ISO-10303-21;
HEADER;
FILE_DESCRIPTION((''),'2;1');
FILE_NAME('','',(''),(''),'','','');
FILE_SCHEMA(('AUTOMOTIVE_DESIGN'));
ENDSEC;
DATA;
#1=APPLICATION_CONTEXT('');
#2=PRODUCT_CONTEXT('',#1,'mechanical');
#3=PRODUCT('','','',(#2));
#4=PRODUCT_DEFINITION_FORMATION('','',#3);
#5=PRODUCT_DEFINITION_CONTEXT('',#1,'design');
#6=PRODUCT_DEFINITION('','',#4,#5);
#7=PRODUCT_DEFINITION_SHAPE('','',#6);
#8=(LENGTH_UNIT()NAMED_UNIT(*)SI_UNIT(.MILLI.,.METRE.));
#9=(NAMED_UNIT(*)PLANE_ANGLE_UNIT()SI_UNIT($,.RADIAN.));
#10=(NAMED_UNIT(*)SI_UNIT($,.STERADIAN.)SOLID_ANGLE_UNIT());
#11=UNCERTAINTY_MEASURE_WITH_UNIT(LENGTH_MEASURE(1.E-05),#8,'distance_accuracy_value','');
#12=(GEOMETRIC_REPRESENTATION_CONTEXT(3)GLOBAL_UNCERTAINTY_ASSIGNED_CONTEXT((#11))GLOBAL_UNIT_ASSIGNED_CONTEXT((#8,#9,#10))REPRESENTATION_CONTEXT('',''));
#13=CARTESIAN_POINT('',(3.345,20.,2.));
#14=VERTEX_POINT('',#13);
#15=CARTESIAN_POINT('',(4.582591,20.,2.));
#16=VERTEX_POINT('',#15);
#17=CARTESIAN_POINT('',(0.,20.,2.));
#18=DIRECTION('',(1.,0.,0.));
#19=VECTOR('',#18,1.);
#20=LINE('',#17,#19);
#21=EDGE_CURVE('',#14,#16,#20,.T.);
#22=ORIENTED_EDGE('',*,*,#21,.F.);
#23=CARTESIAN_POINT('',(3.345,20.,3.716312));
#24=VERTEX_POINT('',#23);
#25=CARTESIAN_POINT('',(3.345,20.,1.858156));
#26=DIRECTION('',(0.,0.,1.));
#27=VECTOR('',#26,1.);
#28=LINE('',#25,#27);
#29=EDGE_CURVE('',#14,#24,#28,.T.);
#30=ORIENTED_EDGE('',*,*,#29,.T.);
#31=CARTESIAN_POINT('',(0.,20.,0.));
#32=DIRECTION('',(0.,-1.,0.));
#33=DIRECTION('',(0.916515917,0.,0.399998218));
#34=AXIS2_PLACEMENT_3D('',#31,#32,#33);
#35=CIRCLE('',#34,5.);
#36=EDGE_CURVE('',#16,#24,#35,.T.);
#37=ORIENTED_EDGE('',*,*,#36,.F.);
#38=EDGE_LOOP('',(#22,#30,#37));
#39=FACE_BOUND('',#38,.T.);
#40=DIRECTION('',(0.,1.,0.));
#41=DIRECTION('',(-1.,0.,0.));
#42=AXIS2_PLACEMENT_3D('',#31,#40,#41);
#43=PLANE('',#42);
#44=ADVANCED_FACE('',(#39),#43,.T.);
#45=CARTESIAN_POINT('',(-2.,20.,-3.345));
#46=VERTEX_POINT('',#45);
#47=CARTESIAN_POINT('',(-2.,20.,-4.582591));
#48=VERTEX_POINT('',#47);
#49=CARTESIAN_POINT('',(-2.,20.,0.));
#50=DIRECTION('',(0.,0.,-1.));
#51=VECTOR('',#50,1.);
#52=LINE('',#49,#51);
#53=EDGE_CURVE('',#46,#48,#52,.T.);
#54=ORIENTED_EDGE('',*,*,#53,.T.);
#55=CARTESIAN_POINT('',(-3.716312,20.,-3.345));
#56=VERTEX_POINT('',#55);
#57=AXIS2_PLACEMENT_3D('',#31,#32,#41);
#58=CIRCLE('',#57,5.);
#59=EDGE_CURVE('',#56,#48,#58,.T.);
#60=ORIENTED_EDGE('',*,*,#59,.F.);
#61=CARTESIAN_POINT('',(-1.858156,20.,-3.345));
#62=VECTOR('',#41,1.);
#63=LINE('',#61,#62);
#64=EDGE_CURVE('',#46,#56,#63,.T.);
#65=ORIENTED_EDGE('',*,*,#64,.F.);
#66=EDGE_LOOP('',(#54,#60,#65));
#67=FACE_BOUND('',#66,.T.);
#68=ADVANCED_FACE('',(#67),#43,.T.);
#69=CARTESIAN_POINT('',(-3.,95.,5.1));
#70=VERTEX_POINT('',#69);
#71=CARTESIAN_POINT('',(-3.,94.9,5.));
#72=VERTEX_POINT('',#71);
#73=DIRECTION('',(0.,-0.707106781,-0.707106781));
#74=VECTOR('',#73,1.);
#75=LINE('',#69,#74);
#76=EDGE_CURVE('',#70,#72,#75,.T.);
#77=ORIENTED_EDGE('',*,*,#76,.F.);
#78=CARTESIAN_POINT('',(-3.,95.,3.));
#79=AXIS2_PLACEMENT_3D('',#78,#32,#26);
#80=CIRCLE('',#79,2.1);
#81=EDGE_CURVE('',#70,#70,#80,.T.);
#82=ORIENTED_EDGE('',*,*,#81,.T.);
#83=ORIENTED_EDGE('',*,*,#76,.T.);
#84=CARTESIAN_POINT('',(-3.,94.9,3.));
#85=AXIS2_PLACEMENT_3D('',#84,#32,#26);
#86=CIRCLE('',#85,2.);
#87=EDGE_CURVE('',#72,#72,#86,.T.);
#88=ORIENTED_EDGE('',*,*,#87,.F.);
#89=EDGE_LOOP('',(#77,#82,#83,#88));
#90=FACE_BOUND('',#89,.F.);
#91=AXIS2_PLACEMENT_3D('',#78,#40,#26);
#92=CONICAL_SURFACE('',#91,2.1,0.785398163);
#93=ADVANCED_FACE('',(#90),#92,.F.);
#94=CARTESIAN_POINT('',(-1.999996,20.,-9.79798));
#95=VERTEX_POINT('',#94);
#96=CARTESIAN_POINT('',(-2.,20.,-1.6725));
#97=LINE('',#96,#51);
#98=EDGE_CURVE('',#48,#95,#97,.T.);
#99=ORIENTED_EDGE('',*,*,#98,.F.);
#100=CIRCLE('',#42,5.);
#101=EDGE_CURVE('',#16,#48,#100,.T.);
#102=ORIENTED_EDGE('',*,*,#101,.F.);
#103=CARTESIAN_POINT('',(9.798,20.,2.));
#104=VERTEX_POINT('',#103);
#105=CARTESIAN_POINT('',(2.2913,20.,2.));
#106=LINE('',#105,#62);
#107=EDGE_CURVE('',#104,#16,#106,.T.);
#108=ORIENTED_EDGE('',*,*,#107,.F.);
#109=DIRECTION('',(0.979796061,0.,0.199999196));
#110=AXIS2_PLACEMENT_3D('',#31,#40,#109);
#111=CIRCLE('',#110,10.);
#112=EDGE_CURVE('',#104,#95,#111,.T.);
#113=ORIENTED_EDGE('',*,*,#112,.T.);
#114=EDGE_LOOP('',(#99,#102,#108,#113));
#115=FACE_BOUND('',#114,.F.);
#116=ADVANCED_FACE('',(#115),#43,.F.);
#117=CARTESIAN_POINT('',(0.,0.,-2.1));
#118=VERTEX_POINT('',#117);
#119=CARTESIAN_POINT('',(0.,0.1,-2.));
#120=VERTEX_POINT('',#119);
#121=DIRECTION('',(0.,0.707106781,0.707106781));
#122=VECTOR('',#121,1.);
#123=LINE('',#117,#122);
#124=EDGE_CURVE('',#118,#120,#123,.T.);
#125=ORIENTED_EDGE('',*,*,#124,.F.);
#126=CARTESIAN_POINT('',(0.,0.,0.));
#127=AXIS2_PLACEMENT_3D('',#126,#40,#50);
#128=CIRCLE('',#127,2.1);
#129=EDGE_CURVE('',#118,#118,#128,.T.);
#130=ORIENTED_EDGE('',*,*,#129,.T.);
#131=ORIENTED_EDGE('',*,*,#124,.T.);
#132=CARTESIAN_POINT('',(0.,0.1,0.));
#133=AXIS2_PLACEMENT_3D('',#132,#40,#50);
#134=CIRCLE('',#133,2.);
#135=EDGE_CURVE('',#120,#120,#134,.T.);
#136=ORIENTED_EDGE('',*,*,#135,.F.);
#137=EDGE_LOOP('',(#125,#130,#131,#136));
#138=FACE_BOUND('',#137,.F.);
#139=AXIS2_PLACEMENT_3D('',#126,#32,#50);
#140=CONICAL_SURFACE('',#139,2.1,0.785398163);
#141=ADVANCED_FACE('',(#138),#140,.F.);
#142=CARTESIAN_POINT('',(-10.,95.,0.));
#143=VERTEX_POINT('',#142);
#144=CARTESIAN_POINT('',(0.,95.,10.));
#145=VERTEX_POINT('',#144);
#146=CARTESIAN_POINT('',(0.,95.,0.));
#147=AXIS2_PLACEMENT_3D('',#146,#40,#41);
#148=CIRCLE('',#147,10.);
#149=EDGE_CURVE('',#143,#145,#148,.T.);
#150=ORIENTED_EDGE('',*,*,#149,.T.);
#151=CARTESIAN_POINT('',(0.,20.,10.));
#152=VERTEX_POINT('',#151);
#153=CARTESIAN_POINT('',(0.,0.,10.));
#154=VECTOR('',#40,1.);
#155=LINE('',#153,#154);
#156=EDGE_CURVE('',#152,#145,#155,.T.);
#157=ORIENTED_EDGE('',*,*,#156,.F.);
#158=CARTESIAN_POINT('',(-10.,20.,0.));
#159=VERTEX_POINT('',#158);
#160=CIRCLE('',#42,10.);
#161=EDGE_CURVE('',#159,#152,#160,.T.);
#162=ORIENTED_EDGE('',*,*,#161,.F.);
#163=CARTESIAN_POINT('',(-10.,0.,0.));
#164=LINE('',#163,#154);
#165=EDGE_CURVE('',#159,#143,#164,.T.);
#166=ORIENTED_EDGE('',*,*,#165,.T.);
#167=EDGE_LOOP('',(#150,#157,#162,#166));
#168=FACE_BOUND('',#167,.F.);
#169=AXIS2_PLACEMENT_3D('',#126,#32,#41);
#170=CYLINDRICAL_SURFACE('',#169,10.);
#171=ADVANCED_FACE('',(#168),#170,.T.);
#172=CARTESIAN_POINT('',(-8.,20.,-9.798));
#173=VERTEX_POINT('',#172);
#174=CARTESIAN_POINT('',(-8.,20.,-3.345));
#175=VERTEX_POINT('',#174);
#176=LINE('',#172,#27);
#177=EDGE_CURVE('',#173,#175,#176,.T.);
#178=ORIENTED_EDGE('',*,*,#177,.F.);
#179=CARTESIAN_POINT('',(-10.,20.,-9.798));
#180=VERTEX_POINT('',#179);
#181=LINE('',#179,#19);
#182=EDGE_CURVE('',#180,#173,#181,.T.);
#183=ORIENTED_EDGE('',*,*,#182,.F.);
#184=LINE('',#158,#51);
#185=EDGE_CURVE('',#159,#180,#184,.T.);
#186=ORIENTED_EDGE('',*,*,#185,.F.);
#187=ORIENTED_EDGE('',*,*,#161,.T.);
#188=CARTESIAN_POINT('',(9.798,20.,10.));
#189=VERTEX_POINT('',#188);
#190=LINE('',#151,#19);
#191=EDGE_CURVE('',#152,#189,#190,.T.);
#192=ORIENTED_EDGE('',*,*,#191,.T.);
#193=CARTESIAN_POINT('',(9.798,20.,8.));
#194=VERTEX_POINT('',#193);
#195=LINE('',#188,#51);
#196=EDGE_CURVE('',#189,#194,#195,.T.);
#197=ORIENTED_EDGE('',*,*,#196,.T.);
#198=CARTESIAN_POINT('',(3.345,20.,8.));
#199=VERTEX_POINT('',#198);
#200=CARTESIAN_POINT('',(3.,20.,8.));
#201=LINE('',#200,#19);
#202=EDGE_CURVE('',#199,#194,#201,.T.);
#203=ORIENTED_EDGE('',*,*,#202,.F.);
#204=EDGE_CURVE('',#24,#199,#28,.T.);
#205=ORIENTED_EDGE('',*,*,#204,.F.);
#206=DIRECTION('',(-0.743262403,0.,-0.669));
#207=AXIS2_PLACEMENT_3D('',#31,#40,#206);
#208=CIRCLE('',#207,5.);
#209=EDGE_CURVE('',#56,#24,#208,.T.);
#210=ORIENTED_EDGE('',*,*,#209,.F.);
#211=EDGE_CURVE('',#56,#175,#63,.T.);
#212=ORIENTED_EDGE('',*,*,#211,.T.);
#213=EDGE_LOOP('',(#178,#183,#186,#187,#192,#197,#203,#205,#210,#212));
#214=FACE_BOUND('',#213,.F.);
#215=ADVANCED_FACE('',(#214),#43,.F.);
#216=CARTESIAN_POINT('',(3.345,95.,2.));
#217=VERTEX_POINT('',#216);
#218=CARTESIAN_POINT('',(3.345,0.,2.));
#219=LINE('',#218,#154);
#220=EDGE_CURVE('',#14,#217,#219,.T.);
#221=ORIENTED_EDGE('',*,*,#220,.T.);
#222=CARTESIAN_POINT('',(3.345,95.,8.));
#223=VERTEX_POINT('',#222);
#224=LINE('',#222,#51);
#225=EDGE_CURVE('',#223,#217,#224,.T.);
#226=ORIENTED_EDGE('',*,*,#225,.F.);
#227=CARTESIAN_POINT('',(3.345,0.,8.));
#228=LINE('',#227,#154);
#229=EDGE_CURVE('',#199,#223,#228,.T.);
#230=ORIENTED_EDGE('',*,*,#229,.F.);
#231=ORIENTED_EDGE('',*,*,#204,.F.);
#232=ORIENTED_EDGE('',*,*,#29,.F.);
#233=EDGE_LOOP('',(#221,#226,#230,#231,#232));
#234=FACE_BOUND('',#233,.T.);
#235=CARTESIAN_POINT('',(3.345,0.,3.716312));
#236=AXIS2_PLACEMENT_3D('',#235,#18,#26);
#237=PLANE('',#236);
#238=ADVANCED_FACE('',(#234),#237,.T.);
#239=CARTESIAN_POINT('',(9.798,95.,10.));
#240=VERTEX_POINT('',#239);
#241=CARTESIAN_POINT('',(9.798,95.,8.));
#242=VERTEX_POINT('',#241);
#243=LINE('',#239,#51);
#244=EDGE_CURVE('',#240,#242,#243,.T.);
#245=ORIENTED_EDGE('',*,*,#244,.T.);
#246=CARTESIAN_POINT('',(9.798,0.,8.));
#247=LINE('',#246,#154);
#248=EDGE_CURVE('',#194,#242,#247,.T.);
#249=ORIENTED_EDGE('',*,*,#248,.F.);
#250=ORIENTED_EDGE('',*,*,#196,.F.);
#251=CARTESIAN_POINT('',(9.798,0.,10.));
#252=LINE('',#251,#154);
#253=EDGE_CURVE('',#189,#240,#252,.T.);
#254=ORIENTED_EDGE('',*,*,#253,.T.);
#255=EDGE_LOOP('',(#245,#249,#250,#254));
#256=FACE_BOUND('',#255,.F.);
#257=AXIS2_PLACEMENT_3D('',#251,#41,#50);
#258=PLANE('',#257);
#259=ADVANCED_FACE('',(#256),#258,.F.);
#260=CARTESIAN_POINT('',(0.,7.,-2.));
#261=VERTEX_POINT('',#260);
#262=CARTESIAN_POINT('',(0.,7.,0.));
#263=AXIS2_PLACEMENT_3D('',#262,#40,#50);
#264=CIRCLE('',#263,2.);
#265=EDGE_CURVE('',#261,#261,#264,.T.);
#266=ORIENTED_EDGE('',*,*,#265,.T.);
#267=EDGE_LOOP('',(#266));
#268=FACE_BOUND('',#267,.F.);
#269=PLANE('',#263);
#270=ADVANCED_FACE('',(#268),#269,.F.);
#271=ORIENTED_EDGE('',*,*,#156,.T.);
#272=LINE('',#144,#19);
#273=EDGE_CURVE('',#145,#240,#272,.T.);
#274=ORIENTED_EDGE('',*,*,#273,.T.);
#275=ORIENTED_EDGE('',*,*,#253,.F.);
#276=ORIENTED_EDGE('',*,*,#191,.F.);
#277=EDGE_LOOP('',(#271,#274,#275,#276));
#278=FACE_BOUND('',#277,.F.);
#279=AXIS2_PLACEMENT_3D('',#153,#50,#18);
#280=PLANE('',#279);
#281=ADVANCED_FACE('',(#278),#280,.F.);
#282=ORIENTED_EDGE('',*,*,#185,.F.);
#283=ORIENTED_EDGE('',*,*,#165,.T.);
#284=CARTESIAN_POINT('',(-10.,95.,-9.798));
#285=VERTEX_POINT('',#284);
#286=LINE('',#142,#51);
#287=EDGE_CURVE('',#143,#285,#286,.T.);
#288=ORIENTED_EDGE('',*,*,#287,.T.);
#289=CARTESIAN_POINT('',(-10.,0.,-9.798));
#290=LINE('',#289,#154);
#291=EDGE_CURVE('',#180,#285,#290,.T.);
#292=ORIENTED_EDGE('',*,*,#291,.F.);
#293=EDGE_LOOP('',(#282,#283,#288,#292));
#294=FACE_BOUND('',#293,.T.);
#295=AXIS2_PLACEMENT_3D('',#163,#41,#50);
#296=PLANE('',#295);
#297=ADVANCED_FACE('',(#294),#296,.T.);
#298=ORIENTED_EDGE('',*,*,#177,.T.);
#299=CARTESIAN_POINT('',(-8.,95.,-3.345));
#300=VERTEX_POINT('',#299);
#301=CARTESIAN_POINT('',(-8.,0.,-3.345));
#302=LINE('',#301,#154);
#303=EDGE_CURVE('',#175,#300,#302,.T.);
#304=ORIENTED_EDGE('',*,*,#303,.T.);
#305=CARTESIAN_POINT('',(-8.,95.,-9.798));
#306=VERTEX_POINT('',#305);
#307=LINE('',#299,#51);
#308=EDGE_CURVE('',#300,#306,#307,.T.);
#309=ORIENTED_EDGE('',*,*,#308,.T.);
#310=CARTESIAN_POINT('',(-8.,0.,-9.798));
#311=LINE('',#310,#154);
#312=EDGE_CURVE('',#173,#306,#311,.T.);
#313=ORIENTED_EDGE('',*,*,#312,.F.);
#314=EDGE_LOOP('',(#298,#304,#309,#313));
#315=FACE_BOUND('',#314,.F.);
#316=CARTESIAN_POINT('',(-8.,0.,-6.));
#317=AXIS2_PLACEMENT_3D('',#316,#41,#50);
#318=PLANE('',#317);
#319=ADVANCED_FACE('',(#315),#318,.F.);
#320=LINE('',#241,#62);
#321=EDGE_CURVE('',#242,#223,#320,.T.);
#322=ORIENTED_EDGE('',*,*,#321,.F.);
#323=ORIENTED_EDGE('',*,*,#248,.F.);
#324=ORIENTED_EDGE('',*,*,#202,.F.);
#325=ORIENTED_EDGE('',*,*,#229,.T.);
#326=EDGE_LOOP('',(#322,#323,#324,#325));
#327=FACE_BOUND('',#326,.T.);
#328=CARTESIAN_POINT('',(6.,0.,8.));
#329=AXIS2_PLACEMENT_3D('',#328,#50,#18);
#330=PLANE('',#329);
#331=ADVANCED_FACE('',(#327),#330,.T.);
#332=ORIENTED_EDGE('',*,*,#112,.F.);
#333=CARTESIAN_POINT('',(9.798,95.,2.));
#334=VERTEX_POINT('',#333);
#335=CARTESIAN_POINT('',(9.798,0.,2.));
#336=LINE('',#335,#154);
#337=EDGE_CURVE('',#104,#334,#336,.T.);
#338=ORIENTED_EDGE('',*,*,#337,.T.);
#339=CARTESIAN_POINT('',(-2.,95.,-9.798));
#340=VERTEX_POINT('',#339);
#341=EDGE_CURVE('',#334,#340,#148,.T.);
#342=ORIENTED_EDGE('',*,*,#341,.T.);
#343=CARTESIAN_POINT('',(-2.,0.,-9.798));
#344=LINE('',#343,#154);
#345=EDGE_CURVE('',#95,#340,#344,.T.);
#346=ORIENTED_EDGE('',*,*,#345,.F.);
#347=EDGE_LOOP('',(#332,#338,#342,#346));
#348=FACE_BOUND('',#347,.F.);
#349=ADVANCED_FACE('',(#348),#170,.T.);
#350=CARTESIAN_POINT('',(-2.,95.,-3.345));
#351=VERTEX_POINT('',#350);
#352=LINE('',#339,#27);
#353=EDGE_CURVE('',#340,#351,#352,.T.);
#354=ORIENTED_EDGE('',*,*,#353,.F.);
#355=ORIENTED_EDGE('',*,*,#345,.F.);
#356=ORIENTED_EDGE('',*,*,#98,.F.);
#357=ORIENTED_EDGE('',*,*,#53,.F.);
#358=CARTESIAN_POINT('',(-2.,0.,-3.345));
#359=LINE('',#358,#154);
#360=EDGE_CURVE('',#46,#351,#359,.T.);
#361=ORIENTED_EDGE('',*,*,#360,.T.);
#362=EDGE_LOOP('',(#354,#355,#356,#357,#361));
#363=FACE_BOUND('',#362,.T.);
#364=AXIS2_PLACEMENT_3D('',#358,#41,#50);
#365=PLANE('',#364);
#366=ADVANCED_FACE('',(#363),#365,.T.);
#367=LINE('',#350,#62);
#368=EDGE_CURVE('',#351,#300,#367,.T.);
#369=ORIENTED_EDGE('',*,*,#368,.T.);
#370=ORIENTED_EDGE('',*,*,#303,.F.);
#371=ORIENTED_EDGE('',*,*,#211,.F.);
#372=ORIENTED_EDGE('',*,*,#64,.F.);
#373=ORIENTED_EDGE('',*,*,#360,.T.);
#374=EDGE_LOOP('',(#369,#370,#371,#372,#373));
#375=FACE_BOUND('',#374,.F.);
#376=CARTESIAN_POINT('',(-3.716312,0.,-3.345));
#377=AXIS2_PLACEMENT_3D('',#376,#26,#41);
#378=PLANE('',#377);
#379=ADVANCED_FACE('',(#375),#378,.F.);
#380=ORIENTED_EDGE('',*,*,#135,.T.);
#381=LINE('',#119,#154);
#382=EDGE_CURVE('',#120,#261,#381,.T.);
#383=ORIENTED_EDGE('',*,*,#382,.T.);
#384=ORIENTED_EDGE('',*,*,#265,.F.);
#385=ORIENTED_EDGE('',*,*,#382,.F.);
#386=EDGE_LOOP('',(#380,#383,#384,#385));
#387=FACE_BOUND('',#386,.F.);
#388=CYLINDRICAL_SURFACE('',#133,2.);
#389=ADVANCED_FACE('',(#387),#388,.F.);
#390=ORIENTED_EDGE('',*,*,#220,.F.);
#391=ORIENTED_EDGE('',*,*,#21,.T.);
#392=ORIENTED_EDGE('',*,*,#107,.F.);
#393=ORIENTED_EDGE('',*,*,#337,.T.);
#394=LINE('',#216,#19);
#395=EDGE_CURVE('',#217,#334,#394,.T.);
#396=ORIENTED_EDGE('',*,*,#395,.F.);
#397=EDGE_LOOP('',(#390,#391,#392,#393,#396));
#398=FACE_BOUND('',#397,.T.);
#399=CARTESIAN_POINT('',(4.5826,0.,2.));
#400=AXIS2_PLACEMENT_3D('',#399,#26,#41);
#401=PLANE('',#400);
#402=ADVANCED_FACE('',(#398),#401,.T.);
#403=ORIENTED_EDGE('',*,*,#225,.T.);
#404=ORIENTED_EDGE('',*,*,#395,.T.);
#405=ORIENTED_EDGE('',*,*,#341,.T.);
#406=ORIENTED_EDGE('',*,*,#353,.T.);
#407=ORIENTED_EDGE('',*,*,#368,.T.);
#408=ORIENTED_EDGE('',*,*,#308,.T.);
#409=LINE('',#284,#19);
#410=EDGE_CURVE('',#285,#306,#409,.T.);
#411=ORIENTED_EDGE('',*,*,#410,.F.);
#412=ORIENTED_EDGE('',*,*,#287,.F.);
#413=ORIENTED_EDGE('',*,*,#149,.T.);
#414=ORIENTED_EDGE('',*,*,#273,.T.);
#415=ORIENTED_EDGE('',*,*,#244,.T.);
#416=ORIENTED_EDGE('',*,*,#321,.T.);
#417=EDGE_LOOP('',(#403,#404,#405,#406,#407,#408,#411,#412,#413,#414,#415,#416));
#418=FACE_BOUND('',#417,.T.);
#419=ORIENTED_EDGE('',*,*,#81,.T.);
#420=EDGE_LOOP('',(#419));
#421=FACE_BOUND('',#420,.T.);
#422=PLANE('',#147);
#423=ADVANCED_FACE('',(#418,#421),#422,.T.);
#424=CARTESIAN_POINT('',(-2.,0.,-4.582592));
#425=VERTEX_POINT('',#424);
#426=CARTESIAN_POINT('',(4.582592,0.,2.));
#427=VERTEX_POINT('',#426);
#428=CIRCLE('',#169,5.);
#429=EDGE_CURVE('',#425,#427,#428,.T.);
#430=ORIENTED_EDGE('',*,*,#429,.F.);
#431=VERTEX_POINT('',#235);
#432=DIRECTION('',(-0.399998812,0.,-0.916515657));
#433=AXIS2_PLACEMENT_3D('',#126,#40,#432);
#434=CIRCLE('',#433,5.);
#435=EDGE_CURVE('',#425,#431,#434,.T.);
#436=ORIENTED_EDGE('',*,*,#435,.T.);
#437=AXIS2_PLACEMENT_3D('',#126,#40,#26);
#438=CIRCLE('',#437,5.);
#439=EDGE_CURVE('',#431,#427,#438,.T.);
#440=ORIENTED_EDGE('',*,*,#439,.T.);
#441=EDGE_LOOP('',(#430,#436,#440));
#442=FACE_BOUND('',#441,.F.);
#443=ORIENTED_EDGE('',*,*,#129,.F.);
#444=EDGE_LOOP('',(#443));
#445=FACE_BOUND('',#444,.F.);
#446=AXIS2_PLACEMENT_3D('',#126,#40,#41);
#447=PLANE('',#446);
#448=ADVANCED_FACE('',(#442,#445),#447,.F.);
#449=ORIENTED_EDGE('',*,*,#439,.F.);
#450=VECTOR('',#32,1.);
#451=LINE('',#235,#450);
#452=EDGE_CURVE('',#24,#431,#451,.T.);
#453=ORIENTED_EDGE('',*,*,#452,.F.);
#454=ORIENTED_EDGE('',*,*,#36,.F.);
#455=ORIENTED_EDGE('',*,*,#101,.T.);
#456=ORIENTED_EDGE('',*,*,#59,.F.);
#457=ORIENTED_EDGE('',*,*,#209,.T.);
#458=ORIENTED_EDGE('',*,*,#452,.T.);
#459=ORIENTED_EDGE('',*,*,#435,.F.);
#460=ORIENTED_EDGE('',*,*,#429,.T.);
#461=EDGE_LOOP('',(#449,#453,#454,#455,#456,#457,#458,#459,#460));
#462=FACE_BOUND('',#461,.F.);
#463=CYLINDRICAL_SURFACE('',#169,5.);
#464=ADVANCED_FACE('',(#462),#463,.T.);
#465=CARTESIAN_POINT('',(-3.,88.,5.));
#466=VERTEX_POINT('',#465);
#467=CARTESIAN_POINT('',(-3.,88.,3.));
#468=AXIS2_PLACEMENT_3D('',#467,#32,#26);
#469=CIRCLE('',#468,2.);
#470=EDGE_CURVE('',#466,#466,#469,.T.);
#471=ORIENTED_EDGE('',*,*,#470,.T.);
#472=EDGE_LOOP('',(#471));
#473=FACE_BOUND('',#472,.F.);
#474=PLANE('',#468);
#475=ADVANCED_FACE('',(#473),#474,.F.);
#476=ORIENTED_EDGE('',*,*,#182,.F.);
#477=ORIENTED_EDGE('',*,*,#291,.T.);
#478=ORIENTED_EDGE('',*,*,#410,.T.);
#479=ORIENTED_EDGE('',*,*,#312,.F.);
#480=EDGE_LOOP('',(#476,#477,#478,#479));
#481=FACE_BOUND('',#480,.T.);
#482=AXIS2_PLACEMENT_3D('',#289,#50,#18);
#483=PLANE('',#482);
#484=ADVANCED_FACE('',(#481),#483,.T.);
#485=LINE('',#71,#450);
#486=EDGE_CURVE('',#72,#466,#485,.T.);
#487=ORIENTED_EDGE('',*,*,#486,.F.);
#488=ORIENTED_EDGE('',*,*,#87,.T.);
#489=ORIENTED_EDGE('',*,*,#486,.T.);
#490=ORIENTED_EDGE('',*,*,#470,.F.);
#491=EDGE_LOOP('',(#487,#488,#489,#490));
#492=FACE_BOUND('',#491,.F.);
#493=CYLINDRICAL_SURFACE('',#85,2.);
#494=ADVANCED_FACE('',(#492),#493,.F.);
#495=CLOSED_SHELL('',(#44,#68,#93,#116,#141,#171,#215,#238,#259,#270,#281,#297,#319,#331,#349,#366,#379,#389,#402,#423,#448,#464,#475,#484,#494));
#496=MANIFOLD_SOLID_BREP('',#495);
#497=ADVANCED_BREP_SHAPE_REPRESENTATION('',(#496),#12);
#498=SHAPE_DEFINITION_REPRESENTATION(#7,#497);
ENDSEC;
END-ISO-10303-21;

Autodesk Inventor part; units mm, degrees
ref_plane "YZ Plane" through (0, 0, 0) normal (1, 0, 0) x (0, 1, 0)
ref_plane "XZ Plane" through (0, 0, 0) normal (0, 1, 0) x (-1, 0, 0)
ref_plane "XY Plane" through (0, 0, 0) normal (0, 0, 1) x (1, 0, 0)
sketch "Sketch1" plane through (0, 0, 0) normal (0, 1, 0) x (-1, 0, 0)
  circle A0 centre (0, 0) radius 10
  circle A1 centre (0, 0) radius 5
  line L0 (8, 0) -> (8, -6)
  line L1 (2, -4.5826) -> (2, -9.798)
  line L2 (10, 0) -> (5, 0)
  line L3 (7.0711, 7.0711) -> (-7.0711, -7.0711) construction
  line L4 (0, 8) -> (-6, 8)
  line L5 (-4.5826, 2) -> (-9.798, 2)
  line L6 (0, 10) -> (0, 5)
  line L7 (10, 0) -> (10, -9.798)
  line L8 (10, -9.798) -> (2, -9.798)
  line L9 (0, 10) -> (-9.798, 10)
  line L10 (-9.798, 10) -> (-9.798, 2)
  line L11 (-4.5826, 2) -> (0, 2)
  line L12 (0, 2) -> (0, 5)
  line L13 (5, 0) -> (2, 0)
  line L14 (2, 0) -> (2, -4.5826)
  line L15 (-6, 8) -> (-9.798, 8)
  line L16 (8, -6) -> (8, -9.798)
  line L17 (-3.345, 2) -> (-3.345, 9.4239)
  line L18 (2, -3.345) -> (9.4239, -3.345)
  point P0 (-9.798, 2)
  point P1 (8, -3.345)
  point P2 (-3.345, 8)
  point P3 (-9.798, 2)
  dimension "d0" = 20
  dimension "d1" = 10
  dimension "d10" = 6
  dimension "d11" = 2
  dimension "d12" = 45
  dimension "d15" = 3.3451
extrude "Extrusion1" add sketch "Sketch1" along normal blind 95 contours L2 A1 L6 A0 | L7 L8 L16 A0 | A0 L18 L0 L2 | L6 L4 L17 A0 | A0 L15 L10 L9 | A0 L0 L18 | L0 L18 A1 L2 | L17 L4 A0 | L6 A1 L17 L4 | L13 L14 A1 L11 L12 | A1 L18 L14 L13 | L12 L11 L17 A1 | A0 L5 A1 L1
extrude "Extrusion2" cut sketch "Sketch1" along normal blind 20 contours L2 A1 L6 A0 | L7 L8 L16 A0 | A0 L18 L0 L2 | L6 L4 L17 A0 | A0 L15 L10 L9 | A0 L0 L18 | L0 L18 A1 L2 | L17 L4 A0 | L6 A1 L17 L4 | A0 L1 A1 L18 L0 | L4 L17 A1 L5 A0 | A0 L10 L15 | A0 L5 A1 L1
extrude "Extrusion3" add sketch "Sketch1" along normal blind 20 contours A1 L18 L14 L13 | L12 L11 L17 A1 | A1 L14 L18 | L17 L11 A1
sketch "Sketch2" plane through (0, 95, 0) normal (0, 1, 0) x (1, 0, 0)
  line L0 (-10, 9.798) -> (-10, 0) projected
  line L1 (0, -10) -> (9.798, -10) projected
  point P0 (0, 0)
  point P1 (-3, -3)
  dimension "d16" = 7
  dimension "d24" = 7
hole "Hole1" at (-3, 95, 3) direction (0, -1, 0) diameter 4 depth 7 countersink diameter 4.2 countersink angle 90
sketch "Sketch3" plane through (0, 0, 0) normal (0, -1, 0) x (1, 0, 0)
  circle A0 centre (0, 0) radius 5 projected
hole "Hole2" at (0, 0, 0) direction (0, 1, 0) diameter 4 depth 7 countersink diameter 4.2 countersink angle 90
properties part number "filar(5)" material "ABS Plastic"
